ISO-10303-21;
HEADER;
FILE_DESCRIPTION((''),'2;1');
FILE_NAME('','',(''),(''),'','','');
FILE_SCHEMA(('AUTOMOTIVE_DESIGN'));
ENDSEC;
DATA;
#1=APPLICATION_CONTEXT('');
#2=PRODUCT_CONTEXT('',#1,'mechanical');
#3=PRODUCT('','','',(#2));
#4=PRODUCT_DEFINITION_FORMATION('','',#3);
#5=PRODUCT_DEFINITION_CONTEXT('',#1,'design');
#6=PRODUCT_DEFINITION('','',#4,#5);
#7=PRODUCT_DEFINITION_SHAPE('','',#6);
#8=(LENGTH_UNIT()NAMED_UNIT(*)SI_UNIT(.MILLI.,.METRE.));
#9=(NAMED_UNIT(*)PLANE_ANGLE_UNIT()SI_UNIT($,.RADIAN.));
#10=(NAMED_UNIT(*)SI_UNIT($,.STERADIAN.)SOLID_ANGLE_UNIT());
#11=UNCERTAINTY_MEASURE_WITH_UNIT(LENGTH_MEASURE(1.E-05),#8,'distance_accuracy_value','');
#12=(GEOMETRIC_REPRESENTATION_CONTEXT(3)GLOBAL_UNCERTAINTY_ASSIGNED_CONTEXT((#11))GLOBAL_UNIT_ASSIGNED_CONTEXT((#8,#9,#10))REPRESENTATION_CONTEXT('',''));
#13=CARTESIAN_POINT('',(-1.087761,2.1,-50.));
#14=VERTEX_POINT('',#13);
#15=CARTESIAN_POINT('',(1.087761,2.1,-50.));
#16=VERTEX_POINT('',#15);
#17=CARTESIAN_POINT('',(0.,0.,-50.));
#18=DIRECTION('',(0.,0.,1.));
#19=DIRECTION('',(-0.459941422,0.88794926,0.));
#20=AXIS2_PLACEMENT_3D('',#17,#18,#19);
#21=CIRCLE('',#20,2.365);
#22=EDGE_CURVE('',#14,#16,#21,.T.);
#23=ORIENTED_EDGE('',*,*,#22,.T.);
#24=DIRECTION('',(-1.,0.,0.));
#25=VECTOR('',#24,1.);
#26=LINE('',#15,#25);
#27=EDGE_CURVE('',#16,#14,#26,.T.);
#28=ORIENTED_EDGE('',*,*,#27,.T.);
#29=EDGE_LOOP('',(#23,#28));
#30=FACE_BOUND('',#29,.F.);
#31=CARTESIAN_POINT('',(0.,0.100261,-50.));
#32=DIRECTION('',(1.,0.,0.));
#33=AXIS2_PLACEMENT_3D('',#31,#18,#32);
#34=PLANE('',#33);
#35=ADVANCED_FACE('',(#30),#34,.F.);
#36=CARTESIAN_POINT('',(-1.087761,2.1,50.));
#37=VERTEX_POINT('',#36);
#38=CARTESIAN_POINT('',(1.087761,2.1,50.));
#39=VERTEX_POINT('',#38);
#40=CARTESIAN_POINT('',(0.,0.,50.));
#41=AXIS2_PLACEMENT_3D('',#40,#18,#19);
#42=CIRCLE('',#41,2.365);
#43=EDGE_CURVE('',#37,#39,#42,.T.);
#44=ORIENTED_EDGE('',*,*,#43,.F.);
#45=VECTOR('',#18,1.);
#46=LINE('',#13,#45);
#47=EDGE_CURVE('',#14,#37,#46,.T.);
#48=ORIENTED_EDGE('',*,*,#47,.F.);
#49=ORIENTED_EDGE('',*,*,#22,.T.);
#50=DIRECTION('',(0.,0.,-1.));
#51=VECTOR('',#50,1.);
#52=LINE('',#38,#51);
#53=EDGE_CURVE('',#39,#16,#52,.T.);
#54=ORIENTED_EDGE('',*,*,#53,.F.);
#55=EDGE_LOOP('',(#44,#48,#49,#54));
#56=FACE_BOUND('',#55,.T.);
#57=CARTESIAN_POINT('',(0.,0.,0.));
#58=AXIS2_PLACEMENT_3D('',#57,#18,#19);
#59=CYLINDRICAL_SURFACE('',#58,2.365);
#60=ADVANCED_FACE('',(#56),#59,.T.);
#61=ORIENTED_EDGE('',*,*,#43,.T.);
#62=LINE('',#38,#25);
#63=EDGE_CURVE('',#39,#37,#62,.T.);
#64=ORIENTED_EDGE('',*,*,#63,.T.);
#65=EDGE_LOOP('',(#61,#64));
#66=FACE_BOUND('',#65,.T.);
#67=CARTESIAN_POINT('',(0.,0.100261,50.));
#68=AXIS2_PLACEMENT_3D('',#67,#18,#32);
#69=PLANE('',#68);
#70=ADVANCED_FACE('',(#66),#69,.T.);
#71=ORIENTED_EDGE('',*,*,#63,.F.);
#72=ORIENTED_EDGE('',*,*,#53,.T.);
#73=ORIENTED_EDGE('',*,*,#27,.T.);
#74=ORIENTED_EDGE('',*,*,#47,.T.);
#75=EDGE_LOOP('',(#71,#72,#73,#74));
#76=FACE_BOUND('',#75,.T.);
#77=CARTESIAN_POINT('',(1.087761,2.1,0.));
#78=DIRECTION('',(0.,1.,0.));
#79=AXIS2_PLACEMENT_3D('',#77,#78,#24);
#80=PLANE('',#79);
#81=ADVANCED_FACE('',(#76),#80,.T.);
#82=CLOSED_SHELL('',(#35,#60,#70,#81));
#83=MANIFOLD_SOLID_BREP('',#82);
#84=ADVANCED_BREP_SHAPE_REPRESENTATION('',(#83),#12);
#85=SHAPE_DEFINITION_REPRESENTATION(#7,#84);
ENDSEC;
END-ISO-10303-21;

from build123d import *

# Parameters (mm, degrees)
BOSS_EXTRUDE1_DEPTH      = 50
BOSS_EXTRUDE1_DEPTH_BACK = 50


with BuildPart() as part:
    # Sketch1 → Boss-Extrude1 (new body, two sides)
    with BuildSketch(Plane.XY) as boss_extrude1_sk:
        with BuildLine():
            Line((1.087761463, 2.1), (-1.087761463, 2.1))
            ThreePointArc((-1.087761463, 2.1), (0, -2.365), (1.087761463, 2.1))
        make_face()
    extrude(amount=BOSS_EXTRUDE1_DEPTH)
    extrude(boss_extrude1_sk.sketch, amount=-BOSS_EXTRUDE1_DEPTH_BACK)


solid = part.part
